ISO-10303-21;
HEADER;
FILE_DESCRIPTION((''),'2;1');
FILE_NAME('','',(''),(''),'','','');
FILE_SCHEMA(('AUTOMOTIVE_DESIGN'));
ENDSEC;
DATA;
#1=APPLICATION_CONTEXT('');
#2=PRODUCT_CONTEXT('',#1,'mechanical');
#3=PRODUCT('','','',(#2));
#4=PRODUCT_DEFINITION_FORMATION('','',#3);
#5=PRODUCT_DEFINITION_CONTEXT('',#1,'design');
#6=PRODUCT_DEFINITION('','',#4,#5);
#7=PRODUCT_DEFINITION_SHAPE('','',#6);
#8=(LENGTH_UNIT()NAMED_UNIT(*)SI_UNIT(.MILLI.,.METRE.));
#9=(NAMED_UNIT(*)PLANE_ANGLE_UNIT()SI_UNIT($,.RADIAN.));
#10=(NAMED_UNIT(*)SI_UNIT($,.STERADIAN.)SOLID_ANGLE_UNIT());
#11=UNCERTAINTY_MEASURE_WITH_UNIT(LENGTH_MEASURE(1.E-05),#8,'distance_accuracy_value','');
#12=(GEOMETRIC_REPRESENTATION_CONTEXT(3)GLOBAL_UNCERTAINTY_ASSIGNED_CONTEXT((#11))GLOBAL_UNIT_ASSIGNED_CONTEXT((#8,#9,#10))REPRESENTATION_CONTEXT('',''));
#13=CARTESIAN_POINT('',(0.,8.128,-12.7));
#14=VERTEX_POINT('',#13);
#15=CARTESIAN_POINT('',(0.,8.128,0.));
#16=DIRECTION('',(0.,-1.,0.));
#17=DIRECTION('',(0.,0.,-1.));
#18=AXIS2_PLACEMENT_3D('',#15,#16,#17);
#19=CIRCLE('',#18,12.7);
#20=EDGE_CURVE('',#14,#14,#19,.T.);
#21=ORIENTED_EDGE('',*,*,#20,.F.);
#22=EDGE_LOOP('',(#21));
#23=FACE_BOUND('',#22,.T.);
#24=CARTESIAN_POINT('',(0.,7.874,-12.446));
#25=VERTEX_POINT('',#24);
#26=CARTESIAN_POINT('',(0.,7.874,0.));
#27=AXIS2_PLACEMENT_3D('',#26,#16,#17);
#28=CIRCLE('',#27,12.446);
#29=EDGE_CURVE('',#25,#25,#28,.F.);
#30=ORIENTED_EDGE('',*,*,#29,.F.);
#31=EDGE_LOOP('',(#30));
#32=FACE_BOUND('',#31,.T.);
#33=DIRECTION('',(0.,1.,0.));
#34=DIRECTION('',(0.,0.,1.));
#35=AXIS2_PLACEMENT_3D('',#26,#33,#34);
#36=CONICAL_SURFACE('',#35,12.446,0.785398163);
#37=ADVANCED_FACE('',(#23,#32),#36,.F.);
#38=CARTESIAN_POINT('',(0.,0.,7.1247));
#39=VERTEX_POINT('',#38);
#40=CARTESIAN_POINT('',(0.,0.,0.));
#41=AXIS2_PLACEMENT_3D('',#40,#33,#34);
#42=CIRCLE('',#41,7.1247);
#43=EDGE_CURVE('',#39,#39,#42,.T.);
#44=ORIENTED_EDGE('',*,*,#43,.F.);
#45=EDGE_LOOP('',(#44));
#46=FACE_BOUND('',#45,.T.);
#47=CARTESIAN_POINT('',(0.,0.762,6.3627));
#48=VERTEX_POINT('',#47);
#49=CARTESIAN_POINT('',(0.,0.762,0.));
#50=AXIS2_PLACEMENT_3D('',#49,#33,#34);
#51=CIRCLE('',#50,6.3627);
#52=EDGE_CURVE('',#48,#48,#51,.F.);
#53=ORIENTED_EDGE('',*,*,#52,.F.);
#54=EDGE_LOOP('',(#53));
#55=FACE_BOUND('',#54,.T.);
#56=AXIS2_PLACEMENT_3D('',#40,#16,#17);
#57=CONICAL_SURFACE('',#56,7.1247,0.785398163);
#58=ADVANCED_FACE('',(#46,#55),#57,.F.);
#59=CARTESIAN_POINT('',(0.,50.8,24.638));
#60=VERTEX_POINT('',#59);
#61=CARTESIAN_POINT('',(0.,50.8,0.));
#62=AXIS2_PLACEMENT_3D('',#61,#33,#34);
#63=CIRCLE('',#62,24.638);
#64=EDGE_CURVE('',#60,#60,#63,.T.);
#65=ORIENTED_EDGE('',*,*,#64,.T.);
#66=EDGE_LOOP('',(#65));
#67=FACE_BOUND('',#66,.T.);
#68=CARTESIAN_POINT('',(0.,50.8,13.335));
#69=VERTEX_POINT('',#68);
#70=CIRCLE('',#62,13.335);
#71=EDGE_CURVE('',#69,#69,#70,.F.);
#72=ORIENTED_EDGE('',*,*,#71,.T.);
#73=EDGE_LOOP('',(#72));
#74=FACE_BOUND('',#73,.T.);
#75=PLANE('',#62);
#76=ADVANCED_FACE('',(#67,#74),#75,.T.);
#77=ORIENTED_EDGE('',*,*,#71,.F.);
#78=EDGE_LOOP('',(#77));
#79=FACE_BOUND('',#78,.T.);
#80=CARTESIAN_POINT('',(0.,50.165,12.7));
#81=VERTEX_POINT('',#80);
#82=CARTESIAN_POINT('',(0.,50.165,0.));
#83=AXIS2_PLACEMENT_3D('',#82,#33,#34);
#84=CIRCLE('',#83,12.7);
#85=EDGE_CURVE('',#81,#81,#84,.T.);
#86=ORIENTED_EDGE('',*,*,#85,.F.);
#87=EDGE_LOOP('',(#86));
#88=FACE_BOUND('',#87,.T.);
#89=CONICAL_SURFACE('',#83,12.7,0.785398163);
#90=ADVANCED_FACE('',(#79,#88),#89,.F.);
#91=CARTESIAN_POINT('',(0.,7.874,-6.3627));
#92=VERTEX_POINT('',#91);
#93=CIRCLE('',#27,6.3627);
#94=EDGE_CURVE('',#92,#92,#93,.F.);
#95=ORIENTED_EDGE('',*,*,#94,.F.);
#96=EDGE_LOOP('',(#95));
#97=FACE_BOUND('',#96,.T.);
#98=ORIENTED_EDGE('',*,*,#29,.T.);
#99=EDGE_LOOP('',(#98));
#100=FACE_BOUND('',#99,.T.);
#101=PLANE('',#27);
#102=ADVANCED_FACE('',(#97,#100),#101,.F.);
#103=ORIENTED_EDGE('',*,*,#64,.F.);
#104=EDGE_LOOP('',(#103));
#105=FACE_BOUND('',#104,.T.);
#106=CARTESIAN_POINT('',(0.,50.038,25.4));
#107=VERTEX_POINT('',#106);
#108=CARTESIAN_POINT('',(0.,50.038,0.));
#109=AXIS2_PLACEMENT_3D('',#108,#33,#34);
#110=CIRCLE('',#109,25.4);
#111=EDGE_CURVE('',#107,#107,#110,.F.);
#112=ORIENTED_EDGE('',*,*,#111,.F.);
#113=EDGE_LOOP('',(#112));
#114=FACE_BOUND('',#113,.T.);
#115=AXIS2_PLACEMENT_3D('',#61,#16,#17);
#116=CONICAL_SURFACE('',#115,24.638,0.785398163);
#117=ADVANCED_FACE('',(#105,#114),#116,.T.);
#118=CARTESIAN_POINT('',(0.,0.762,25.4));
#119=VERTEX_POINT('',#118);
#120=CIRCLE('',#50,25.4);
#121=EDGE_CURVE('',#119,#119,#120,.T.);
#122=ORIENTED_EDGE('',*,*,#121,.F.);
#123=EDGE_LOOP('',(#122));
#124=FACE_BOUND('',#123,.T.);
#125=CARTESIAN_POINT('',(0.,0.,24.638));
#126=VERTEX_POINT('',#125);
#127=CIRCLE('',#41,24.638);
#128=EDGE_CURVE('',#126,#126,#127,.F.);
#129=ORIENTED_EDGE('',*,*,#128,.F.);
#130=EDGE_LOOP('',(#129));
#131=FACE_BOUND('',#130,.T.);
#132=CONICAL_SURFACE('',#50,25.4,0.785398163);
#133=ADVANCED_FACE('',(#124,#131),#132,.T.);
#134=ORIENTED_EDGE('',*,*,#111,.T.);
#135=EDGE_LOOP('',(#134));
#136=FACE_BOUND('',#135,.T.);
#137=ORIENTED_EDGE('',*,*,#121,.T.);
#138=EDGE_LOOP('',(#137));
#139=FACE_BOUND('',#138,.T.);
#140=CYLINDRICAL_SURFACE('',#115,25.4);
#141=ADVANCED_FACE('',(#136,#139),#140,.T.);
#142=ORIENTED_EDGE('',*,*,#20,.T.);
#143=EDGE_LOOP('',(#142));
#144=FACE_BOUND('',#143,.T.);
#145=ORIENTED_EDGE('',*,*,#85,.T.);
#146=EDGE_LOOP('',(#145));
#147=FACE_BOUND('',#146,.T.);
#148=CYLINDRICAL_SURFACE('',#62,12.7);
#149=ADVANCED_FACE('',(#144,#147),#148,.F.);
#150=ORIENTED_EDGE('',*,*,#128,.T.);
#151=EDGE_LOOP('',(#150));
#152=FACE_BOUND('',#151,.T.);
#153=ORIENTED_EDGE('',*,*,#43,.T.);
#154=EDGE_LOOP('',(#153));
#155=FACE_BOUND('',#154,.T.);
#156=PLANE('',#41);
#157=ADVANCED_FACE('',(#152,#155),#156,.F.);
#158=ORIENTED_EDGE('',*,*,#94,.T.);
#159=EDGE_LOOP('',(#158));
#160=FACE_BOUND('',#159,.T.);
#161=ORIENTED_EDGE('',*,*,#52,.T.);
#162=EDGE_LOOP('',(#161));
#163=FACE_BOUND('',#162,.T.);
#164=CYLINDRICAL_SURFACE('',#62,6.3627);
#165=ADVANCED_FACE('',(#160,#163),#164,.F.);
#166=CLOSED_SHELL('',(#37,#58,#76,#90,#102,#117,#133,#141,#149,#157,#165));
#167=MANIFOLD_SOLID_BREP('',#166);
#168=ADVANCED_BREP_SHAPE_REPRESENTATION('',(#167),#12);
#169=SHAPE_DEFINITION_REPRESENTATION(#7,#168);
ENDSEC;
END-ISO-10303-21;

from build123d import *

# Parameters (mm, degrees)
SKETCH1_R                  = 25.4
EXTRUDE1_DEPTH             = 50.8
F_1_2_0_5_DIAMETER_HOLE1_D = 12.7254
CHAMFER1_SIZE              = 0.762
F_1_1_DIAMETER_HOLE1_D     = 25.4
F_1_1_DIAMETER_HOLE1_DEPTH = 42.926
CHAMFER2_SIZE              = 0.254
CHAMFER3_SIZE              = 0.635


with BuildPart() as part:
    # Sketch1 → Extrude1 (new body)
    with BuildSketch(Plane(origin=(0, 0, 0), x_dir=(1, 0, 0), z_dir=(0, 1, 0))):
        with Locations(Location((0, 0, 0), (0, 0, 270))):  # turned: the seam where the file's is
            Circle(SKETCH1_R)
    extrude(amount=EXTRUDE1_DEPTH)

    # 1/2 (0.5) Diameter Hole1 (through all)
    with Locations(Plane(origin=(0, 50.8, 0), x_dir=(-1, 0, 0), z_dir=(0, 1, 0))):
        with Locations((0, 0)):
            Hole(F_1_2_0_5_DIAMETER_HOLE1_D / 2)

    # Chamfer1
    chamfer1_edges = [part.edges().sort_by_distance(p)[0] for p in [
        (0, 0, -25.4),
        (0, 50.8, -25.4),
        (-6.3627, 0, 0),
    ]]
    chamfer(chamfer1_edges, length=CHAMFER1_SIZE)

    # 1 (1) Diameter Hole1
    with Locations(Plane(origin=(0, 50.8, 0), x_dir=(-1, 0, 0), z_dir=(0, 1, 0))):
        with Locations((0, 0)):
            Hole(F_1_1_DIAMETER_HOLE1_D / 2, depth=F_1_1_DIAMETER_HOLE1_DEPTH)

    # Chamfer2
    chamfer2_edges = [part.edges().sort_by_distance(p)[0] for p in [
        (-12.7, 7.874, 0),
    ]]
    chamfer(chamfer2_edges, length=CHAMFER2_SIZE)

    # Chamfer3
    chamfer3_edges = [part.edges().sort_by_distance(p)[0] for p in [
        (-12.7, 50.8, 0),
    ]]
    chamfer(chamfer3_edges, length=CHAMFER3_SIZE)


solid = part.part
